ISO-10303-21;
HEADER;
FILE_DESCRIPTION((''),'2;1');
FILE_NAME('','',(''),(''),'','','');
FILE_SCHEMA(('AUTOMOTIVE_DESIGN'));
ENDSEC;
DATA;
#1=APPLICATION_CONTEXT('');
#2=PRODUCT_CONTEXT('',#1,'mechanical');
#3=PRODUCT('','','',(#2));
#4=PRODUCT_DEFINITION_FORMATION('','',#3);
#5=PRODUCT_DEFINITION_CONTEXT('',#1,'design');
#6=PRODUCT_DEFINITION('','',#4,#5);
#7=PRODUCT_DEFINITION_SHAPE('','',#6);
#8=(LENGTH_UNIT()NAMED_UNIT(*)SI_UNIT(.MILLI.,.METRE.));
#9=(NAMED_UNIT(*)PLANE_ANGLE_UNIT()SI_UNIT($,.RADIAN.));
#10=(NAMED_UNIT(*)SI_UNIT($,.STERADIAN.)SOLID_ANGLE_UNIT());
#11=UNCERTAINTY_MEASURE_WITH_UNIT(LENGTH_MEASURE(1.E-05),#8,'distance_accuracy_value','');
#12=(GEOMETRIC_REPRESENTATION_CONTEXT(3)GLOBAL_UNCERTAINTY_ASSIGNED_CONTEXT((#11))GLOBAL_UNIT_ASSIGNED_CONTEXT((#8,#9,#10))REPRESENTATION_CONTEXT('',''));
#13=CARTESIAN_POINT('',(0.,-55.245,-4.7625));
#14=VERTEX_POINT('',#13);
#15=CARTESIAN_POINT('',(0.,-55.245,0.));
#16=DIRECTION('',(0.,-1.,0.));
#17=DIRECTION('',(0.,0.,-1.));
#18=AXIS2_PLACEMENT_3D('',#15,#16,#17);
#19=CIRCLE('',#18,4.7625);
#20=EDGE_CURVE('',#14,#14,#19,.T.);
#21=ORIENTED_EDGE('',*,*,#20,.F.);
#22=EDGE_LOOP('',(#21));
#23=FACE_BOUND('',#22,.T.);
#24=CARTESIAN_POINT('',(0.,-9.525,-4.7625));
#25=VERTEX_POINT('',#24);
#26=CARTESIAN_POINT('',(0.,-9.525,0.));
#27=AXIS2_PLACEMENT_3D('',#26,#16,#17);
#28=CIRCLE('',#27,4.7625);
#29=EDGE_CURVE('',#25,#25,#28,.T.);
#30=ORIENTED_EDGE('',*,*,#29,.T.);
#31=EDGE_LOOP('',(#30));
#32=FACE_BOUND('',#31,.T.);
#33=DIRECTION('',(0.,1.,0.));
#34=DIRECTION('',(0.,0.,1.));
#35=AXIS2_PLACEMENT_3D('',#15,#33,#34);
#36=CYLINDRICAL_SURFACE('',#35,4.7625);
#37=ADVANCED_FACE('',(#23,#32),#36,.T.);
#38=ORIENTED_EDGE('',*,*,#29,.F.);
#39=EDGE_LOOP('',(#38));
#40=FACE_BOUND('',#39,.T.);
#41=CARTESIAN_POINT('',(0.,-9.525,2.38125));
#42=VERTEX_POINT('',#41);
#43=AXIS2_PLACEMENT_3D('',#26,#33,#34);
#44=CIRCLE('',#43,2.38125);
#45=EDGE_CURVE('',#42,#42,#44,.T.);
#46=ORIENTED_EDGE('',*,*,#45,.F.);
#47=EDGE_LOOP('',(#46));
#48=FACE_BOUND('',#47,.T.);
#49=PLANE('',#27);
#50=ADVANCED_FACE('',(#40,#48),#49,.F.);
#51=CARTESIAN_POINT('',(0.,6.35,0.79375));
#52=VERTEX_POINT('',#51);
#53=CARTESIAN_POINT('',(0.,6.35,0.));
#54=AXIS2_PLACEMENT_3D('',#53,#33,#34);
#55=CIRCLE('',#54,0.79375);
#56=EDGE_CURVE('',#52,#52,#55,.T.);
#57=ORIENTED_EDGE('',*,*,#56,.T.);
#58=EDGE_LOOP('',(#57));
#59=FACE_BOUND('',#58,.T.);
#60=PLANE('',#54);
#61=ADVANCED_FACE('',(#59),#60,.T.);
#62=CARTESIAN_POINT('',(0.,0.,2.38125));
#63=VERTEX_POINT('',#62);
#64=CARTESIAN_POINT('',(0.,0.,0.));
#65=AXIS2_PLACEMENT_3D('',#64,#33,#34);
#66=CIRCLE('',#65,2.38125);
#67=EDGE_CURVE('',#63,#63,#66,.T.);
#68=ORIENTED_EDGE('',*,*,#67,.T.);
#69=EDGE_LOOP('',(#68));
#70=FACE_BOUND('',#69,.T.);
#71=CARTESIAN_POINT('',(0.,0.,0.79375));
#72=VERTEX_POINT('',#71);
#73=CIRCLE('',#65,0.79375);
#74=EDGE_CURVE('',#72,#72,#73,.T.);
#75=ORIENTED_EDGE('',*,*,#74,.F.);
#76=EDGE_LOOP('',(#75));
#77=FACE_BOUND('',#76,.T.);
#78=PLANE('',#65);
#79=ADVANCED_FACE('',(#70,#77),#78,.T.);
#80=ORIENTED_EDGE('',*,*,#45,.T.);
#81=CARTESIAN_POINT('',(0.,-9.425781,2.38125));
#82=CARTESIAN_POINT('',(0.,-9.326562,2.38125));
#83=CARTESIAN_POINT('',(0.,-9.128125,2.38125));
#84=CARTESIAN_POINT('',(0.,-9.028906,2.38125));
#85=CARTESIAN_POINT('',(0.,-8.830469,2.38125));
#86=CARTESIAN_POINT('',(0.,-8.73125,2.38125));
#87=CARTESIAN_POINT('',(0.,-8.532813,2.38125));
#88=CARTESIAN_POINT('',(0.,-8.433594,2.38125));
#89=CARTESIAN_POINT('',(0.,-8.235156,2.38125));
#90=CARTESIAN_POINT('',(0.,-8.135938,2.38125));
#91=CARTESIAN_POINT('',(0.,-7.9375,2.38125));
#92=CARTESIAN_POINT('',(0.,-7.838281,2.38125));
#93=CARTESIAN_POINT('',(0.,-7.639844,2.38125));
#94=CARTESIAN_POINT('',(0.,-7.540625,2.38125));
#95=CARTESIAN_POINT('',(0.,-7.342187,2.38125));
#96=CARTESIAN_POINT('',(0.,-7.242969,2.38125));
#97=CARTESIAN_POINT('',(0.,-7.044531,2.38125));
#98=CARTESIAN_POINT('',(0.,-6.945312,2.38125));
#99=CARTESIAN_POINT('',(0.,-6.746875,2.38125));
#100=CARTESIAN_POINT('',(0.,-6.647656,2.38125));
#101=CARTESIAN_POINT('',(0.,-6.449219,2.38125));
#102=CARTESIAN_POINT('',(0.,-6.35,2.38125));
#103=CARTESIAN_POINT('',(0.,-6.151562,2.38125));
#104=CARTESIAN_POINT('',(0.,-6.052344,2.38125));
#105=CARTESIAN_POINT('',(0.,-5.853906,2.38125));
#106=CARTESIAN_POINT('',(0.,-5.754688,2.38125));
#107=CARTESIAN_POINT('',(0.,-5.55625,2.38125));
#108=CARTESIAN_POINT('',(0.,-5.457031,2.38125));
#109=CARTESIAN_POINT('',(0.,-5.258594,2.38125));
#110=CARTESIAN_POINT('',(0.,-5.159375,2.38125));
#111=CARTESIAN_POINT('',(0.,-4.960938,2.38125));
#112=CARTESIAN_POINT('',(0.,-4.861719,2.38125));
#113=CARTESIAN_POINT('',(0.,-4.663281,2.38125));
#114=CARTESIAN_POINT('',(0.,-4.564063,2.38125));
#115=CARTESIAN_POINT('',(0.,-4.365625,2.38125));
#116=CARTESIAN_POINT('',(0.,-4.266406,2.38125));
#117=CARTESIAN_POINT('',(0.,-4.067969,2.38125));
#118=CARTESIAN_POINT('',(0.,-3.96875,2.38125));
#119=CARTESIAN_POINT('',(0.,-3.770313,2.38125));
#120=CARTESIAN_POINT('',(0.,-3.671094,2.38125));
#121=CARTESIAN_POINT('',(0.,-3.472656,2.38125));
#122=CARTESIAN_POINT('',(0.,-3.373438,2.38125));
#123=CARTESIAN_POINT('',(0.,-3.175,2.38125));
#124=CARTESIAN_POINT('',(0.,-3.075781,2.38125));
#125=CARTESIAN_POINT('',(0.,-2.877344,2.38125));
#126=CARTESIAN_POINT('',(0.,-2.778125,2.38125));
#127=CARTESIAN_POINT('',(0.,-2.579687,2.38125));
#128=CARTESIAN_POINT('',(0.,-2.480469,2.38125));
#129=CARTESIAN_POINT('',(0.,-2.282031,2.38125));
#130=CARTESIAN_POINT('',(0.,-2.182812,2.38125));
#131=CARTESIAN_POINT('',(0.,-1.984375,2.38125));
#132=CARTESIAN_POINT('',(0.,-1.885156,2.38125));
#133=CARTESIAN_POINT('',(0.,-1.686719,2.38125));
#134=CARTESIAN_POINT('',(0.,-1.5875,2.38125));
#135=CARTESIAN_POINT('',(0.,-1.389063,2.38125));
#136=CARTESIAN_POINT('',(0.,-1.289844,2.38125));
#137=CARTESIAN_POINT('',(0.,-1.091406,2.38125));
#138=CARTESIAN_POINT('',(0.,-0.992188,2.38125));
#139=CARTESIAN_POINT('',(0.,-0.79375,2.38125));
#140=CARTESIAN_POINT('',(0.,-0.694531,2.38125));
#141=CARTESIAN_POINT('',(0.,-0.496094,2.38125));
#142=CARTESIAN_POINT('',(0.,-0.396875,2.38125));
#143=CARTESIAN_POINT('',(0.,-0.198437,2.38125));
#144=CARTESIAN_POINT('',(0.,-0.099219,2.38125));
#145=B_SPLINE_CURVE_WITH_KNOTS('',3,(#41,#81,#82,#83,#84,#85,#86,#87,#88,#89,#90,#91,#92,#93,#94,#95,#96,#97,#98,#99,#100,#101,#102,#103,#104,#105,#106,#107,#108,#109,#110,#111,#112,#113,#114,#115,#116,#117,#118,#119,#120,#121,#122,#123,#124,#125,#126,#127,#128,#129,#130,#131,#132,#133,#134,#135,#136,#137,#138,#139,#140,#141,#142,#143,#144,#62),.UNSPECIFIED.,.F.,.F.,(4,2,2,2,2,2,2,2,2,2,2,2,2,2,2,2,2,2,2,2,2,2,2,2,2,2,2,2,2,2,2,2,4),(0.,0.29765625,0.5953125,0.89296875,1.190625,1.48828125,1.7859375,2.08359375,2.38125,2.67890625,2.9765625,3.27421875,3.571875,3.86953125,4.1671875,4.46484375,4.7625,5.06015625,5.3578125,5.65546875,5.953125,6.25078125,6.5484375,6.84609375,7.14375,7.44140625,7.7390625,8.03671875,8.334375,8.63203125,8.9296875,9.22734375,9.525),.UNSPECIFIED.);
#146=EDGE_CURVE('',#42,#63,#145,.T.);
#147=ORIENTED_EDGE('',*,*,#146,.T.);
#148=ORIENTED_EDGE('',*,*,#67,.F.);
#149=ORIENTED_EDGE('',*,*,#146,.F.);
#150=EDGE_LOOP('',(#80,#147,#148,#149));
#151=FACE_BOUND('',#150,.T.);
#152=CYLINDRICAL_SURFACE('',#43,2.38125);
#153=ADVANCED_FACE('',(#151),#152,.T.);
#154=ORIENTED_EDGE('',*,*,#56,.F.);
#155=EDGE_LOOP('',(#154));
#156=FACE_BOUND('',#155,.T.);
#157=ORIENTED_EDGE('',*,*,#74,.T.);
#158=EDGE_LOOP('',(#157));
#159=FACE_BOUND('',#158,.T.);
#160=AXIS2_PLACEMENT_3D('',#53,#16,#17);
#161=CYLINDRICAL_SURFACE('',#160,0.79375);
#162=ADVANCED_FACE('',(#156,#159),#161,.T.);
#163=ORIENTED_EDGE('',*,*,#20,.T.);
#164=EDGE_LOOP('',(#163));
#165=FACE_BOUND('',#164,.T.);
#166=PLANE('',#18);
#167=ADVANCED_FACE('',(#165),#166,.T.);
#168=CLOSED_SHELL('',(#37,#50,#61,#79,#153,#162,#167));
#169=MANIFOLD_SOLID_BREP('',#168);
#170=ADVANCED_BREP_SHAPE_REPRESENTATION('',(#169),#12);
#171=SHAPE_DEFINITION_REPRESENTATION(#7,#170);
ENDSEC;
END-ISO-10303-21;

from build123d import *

# Parameters (mm, degrees)
SKETCH1_R           = 2.38125
BOSS_EXTRUDE1_DEPTH = 9.525
SKETCH2_R           = 4.7625
BOSS_EXTRUDE2_DEPTH = 45.72
SKETCH3_R           = 0.79375
BOSS_EXTRUDE3_DEPTH = 6.35


with BuildPart() as part:
    # Sketch1 → Boss-Extrude1 (new body)
    with BuildSketch(Plane(origin=(0, 0, 0), x_dir=(1, 0, 0), z_dir=(0, 1, 0))):
        with Locations(Location((0, 0, 0), (0, 0, 270))):
            Circle(SKETCH1_R)
    extrude(amount=-BOSS_EXTRUDE1_DEPTH)

    # Sketch2 → Boss-Extrude2 (add)
    with BuildSketch(Plane(origin=(0, -9.525, 0), x_dir=(-1, 0, 0), z_dir=(0, -1, 0))):
        with Locations(Location((0, 0, 0), (0, 0, 90))):
            Circle(SKETCH2_R)
    extrude(amount=BOSS_EXTRUDE2_DEPTH)

    # Sketch3 → Boss-Extrude3 (add)
    with BuildSketch(Plane(origin=(0, 0, 0), x_dir=(1, 0, 0), z_dir=(0, 1, 0))):
        with Locations(Location((0, 0, 0), (0, 0, 270))):
            Circle(SKETCH3_R)
    extrude(amount=BOSS_EXTRUDE3_DEPTH)


solid = part.part
